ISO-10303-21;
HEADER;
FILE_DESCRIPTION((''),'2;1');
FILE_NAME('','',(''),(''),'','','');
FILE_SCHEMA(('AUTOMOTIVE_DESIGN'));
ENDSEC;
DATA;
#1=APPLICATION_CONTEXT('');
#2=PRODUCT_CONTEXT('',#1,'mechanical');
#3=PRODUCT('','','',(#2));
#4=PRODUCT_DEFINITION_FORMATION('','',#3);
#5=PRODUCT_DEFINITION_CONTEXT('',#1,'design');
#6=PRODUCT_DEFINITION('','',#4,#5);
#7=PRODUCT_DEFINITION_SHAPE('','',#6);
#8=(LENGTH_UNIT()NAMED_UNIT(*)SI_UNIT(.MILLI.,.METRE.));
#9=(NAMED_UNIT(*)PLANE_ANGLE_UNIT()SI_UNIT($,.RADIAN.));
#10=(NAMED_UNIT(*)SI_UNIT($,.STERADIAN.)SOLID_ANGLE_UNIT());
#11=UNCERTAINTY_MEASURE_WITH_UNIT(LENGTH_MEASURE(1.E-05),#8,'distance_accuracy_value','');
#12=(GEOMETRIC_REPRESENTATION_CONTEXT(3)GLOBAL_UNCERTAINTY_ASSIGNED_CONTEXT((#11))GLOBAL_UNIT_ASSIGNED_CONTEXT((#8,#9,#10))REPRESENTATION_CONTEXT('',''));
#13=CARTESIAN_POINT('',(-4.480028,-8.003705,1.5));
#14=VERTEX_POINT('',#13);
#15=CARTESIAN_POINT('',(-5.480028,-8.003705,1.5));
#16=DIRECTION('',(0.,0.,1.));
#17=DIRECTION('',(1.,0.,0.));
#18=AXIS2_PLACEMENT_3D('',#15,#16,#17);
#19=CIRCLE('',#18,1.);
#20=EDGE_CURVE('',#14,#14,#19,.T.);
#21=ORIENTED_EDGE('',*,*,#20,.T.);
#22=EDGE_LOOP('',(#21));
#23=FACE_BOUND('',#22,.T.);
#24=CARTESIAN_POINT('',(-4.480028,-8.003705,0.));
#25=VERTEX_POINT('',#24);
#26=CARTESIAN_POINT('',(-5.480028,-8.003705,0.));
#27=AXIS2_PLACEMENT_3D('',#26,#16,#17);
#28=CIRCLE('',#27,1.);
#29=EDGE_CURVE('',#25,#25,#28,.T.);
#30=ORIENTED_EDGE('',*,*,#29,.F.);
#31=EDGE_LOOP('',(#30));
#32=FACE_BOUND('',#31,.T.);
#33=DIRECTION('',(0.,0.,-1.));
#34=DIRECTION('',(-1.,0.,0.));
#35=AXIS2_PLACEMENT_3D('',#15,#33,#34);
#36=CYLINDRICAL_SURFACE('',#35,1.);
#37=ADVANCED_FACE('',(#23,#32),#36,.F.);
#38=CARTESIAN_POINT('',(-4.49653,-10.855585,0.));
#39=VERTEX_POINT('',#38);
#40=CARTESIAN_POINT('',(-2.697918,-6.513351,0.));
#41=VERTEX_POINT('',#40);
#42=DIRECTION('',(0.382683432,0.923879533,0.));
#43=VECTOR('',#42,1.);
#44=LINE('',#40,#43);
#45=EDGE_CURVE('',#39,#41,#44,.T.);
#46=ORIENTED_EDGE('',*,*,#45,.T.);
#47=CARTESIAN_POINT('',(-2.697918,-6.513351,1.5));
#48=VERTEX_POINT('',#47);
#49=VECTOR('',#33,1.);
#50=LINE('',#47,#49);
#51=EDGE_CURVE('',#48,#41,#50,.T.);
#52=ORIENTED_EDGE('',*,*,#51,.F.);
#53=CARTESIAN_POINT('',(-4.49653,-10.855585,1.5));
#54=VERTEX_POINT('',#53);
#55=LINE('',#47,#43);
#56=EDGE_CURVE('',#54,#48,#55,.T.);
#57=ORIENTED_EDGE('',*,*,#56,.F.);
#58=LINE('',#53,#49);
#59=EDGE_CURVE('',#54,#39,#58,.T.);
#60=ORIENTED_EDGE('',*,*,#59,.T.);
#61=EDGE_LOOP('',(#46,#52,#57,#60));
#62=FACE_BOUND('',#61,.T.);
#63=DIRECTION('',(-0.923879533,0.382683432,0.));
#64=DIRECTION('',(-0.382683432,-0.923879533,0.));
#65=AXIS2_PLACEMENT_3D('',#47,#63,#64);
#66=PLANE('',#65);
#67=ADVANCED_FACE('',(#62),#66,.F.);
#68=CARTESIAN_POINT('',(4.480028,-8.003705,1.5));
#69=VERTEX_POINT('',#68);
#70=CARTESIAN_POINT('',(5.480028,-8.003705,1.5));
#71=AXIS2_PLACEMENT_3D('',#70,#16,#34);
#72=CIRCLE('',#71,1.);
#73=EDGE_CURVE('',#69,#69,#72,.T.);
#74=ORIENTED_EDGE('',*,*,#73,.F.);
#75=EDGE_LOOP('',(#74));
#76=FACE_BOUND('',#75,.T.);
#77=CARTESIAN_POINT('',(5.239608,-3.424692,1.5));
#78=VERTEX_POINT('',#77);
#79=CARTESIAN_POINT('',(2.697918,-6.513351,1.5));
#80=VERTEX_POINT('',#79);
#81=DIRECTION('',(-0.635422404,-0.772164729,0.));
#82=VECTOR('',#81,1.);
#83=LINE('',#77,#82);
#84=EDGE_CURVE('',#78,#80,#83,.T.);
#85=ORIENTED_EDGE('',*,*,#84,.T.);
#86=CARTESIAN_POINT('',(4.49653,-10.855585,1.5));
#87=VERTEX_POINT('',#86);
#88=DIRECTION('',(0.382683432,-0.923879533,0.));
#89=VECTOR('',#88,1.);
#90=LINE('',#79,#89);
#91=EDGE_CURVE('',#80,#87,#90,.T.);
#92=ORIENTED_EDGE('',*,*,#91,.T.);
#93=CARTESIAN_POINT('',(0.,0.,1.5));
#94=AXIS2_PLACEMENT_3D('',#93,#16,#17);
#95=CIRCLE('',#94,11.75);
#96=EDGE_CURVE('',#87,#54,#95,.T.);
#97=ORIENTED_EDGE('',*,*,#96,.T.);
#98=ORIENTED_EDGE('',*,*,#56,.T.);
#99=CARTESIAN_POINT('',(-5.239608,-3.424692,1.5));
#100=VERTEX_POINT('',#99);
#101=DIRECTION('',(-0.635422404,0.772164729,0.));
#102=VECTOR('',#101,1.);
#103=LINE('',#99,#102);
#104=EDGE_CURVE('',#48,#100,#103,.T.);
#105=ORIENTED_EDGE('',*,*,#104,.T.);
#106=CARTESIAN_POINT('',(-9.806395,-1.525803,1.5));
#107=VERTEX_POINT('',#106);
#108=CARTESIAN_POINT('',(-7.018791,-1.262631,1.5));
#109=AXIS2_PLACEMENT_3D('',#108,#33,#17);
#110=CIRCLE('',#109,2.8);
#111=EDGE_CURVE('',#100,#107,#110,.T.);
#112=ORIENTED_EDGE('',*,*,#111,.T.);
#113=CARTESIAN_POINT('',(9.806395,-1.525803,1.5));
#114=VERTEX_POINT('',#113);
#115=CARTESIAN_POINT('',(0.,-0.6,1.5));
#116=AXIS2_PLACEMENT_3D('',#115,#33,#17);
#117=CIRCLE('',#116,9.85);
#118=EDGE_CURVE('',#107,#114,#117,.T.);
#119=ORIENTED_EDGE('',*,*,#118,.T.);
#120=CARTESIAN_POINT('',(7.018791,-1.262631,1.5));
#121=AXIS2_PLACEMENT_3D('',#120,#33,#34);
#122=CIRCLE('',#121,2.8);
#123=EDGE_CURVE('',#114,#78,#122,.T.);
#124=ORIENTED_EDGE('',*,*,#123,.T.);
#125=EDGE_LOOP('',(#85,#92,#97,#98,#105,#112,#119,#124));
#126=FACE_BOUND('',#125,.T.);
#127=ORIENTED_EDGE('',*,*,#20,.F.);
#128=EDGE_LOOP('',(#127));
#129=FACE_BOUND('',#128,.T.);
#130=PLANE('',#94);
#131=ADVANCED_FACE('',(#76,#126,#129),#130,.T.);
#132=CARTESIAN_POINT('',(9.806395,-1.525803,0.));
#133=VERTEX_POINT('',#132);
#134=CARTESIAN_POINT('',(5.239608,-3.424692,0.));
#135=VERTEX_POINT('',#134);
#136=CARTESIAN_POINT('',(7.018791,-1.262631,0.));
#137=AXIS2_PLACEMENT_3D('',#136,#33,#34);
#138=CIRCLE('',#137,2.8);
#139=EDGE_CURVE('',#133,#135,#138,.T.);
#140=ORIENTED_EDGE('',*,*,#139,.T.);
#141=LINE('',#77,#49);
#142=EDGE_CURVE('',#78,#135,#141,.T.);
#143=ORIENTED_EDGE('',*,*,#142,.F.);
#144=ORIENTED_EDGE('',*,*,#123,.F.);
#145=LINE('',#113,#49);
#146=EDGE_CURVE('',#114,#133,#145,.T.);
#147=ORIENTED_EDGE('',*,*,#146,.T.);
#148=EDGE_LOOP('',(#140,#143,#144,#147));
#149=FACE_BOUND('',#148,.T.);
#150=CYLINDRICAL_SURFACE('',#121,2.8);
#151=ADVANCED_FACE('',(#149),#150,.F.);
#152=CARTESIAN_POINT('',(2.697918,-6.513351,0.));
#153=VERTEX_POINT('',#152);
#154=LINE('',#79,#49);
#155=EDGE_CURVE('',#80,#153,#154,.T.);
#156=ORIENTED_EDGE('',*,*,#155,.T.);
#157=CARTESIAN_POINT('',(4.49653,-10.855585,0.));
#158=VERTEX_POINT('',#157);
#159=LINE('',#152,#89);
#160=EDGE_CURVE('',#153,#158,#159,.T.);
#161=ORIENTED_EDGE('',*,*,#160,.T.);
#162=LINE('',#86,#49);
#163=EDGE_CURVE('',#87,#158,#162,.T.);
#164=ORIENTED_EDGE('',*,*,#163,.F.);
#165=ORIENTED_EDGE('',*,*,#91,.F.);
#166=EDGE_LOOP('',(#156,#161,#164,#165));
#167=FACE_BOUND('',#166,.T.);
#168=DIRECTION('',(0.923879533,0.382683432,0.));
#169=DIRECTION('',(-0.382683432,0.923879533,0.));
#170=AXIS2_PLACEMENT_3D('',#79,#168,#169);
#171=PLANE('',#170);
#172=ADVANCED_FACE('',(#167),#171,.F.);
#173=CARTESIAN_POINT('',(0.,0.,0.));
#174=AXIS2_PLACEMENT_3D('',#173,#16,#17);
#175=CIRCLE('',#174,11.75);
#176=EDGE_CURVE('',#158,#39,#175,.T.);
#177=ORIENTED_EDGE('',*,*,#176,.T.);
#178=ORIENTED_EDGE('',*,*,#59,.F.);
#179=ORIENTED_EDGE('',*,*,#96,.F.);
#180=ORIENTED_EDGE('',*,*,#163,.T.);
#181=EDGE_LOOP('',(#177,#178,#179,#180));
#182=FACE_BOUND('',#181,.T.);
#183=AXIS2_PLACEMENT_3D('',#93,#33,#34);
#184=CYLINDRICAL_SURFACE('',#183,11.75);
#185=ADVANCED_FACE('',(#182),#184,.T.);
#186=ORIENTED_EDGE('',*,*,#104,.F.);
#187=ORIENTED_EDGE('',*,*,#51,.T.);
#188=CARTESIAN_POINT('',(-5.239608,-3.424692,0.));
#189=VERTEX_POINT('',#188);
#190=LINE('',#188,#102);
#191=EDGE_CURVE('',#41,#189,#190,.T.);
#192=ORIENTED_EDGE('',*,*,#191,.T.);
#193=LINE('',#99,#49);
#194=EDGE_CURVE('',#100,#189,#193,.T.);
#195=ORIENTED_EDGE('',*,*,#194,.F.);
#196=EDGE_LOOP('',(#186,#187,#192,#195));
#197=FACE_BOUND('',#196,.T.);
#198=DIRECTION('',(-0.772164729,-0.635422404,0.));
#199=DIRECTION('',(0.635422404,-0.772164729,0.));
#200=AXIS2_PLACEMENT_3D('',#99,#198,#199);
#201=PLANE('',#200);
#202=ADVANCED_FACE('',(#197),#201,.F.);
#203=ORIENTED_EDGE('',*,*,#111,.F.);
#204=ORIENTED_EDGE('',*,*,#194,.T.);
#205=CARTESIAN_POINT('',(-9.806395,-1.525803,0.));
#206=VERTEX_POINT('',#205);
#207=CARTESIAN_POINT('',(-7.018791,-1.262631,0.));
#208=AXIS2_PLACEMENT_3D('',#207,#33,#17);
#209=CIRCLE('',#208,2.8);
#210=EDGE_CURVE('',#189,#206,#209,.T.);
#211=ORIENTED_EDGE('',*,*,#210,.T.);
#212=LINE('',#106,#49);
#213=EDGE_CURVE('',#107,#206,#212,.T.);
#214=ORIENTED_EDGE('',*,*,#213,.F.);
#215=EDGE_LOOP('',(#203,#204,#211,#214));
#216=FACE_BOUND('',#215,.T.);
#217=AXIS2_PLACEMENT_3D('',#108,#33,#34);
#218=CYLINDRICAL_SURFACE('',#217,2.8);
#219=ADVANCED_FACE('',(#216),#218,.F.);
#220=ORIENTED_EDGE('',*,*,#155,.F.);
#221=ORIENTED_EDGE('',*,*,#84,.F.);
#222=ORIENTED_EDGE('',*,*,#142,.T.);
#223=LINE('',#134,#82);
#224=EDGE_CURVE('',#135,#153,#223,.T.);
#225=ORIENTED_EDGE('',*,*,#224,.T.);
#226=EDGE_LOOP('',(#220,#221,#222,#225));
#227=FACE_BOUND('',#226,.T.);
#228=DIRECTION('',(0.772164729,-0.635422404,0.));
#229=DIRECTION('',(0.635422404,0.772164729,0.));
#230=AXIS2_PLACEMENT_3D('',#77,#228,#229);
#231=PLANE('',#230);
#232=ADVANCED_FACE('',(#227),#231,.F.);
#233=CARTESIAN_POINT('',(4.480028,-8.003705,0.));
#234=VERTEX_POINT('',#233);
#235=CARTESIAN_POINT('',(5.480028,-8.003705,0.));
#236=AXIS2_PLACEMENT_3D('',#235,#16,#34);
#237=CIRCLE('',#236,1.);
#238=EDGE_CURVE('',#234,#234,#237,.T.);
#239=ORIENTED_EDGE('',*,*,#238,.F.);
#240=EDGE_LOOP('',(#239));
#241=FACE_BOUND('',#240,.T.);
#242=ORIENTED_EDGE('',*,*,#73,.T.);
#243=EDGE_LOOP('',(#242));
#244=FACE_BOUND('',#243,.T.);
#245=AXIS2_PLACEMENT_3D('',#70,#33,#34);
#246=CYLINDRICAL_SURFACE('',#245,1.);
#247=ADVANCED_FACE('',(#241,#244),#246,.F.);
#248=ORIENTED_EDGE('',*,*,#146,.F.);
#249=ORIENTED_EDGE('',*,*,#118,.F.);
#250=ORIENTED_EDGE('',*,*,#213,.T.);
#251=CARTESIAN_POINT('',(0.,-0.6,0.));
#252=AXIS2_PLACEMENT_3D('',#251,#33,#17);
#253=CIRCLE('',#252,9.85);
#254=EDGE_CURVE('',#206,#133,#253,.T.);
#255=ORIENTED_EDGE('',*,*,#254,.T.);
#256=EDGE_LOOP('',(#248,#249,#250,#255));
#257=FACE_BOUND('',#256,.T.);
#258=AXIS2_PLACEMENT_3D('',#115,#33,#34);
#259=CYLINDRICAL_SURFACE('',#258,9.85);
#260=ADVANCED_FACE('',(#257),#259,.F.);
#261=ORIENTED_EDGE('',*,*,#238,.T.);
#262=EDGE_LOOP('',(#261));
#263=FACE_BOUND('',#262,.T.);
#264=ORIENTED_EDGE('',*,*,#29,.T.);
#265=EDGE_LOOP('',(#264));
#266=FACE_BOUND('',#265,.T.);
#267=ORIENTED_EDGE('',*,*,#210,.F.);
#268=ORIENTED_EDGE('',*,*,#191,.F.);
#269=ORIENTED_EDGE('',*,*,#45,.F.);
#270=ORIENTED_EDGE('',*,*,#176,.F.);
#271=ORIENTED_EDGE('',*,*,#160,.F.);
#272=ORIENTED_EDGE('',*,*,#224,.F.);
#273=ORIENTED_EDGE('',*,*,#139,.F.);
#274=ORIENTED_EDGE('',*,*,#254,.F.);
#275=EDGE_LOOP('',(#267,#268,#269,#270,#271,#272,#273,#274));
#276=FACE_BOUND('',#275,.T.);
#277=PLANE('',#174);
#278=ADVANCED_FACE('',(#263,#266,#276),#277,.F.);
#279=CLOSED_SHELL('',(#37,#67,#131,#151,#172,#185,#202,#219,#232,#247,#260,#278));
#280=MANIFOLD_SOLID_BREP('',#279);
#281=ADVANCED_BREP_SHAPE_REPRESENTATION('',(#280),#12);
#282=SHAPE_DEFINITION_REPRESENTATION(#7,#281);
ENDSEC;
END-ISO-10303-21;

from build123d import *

# Parameters (mm, degrees)
SKETCH_1_R        = 1
EXTRUDE_831_DEPTH = 1.5


with BuildPart() as part:
    # 草图1 → Extrude 831 (new body)
    with BuildSketch(Plane.XY):
        with BuildLine():
            Line((-5.239607816, -3.42469179), (-2.697918198, -6.513350704))
            Line((-2.697918198, -6.513350704), (-4.49653033, -10.855584507))
            ThreePointArc((-4.49653033, -10.855584507), (0, 11.75), (4.49653033, -10.855584507))
            Line((4.49653033, -10.855584507), (2.697918198, -6.513350704))
            Line((2.697918198, -6.513350704), (5.239607816, -3.42469179))
            ThreePointArc((5.239607816, -3.42469179), (8.093813076, -3.84803701), (9.806395304, -1.525802967))
            ThreePointArc((9.806395304, -1.525802967), (0, 9.25), (-9.806395304, -1.525802967))
            ThreePointArc((-9.806395304, -1.525802967), (-8.093813076, -3.84803701), (-5.239607816, -3.42469179))
        make_face()
        with Locations((-5.480027646, -8.003705205)):
            Circle(SKETCH_1_R, mode=Mode.SUBTRACT)
        with Locations(Location((5.480027646, -8.003705205, 0), (0, 0, 180))):
            Circle(SKETCH_1_R, mode=Mode.SUBTRACT)
    extrude(amount=EXTRUDE_831_DEPTH)


solid = part.part
